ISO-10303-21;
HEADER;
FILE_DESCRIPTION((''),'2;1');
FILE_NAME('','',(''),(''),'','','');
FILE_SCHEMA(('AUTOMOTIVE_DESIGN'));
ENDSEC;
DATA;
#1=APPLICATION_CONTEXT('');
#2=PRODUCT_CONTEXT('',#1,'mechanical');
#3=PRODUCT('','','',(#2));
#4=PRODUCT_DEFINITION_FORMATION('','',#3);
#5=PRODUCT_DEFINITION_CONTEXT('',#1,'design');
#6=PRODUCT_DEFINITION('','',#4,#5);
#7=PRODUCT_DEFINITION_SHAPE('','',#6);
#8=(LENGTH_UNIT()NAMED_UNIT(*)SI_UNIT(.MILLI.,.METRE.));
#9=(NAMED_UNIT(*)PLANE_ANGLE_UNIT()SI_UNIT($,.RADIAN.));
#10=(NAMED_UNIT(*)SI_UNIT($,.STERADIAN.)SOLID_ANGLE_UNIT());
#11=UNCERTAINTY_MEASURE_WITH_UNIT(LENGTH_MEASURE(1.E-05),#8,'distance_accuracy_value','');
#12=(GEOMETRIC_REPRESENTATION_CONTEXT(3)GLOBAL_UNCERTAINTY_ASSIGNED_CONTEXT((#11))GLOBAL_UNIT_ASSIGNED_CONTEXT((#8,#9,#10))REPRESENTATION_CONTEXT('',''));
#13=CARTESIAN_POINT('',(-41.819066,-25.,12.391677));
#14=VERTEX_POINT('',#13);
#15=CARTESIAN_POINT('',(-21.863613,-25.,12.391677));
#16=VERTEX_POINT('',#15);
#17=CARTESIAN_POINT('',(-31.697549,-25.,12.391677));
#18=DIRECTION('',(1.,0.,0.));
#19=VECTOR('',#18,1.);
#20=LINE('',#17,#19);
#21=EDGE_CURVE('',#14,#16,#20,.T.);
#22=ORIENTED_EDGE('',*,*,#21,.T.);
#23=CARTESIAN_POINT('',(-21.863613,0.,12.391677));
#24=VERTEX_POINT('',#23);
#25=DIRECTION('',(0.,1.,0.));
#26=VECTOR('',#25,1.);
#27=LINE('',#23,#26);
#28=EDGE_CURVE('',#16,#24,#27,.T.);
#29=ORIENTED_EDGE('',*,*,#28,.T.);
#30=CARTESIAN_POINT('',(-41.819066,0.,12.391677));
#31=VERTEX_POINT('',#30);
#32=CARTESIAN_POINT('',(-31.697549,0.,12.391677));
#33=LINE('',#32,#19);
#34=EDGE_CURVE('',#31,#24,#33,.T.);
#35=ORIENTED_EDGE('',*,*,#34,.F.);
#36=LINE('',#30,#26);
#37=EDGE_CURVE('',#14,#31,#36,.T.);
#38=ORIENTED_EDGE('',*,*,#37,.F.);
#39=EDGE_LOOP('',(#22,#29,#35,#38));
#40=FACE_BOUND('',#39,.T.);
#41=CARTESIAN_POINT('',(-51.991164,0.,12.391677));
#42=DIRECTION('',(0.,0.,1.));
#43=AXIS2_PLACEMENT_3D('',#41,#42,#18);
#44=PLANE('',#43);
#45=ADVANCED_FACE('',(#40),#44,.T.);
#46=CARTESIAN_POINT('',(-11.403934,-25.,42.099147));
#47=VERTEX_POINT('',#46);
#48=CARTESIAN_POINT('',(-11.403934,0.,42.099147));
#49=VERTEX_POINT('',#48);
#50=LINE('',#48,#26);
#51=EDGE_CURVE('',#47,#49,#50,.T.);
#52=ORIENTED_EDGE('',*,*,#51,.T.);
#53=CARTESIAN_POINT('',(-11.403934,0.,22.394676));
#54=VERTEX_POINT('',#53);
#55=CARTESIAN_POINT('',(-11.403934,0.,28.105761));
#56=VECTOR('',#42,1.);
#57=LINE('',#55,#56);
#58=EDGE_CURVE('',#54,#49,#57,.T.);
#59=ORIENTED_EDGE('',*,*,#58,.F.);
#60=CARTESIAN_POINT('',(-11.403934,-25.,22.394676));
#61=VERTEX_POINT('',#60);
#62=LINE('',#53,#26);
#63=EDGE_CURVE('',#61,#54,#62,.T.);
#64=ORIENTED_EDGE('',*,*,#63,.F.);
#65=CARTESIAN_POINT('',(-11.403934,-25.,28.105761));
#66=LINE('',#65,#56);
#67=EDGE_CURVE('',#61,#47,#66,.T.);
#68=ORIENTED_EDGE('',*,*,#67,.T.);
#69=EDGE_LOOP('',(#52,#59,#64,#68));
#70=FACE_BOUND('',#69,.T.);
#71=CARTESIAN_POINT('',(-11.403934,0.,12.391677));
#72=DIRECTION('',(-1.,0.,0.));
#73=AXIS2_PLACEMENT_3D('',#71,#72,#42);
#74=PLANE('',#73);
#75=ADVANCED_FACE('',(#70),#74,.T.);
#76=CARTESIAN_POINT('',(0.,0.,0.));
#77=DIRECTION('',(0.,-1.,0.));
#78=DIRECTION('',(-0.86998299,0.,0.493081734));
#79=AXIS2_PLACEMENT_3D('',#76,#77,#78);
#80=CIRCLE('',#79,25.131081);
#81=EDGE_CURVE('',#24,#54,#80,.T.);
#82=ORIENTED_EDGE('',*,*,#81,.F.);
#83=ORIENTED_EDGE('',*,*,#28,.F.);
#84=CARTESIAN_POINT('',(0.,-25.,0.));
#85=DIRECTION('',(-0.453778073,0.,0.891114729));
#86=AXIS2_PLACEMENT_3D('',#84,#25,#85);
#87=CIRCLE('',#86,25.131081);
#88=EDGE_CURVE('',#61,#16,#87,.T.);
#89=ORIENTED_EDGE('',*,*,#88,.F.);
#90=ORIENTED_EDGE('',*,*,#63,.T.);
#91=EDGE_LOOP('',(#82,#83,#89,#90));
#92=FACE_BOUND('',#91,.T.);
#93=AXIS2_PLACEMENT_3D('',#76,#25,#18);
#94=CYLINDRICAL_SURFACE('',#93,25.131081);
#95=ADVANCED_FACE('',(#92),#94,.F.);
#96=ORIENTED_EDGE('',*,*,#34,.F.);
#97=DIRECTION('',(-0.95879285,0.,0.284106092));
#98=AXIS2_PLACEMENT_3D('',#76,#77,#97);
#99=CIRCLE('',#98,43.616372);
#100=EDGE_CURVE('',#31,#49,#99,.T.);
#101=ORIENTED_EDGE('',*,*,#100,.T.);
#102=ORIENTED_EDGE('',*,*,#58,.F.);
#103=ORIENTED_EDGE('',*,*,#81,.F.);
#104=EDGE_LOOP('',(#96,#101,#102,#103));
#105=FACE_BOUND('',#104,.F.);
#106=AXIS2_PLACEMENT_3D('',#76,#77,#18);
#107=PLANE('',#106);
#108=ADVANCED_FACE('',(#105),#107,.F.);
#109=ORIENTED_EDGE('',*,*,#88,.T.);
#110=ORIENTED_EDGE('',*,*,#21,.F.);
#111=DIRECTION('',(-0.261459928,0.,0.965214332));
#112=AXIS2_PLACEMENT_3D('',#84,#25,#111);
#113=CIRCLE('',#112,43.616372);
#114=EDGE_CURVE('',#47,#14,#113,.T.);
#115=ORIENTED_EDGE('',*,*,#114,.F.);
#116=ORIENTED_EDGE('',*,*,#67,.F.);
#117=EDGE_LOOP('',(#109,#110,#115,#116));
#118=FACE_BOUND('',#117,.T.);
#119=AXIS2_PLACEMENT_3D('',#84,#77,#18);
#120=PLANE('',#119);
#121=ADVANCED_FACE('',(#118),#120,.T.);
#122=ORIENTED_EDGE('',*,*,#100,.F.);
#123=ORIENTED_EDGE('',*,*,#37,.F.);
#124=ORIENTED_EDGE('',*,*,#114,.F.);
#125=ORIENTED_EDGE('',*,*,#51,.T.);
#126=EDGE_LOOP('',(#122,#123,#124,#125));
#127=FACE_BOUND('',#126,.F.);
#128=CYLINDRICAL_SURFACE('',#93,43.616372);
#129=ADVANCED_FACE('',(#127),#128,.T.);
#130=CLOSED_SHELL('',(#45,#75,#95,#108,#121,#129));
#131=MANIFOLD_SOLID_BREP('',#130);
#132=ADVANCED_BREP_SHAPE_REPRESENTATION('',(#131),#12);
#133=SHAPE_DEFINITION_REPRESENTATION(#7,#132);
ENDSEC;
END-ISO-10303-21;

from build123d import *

# Parameters (mm, degrees)
F0_R     = 43.616372
F0_R_2   = 25.131081
F1_DEPTH = 25
F2_W     = 40.587231
F2_H     = 31.428168
F3_DEPTH = 25


with BuildPart() as f1:
    # F0 (on Front) → F1 (new body)
    with BuildSketch(Plane.XZ):
        Circle(F0_R)
        Circle(F0_R_2, mode=Mode.SUBTRACT)
    extrude(amount=F1_DEPTH)

    # F2 (on Front) → F3 (cut)
    with BuildSketch(Plane.XZ):
        with Locations((-31.697549, 28.105761)):
            Rectangle(F2_W, F2_H)
    extrude(amount=F3_DEPTH, mode=Mode.SUBTRACT)


solid = f1.part
